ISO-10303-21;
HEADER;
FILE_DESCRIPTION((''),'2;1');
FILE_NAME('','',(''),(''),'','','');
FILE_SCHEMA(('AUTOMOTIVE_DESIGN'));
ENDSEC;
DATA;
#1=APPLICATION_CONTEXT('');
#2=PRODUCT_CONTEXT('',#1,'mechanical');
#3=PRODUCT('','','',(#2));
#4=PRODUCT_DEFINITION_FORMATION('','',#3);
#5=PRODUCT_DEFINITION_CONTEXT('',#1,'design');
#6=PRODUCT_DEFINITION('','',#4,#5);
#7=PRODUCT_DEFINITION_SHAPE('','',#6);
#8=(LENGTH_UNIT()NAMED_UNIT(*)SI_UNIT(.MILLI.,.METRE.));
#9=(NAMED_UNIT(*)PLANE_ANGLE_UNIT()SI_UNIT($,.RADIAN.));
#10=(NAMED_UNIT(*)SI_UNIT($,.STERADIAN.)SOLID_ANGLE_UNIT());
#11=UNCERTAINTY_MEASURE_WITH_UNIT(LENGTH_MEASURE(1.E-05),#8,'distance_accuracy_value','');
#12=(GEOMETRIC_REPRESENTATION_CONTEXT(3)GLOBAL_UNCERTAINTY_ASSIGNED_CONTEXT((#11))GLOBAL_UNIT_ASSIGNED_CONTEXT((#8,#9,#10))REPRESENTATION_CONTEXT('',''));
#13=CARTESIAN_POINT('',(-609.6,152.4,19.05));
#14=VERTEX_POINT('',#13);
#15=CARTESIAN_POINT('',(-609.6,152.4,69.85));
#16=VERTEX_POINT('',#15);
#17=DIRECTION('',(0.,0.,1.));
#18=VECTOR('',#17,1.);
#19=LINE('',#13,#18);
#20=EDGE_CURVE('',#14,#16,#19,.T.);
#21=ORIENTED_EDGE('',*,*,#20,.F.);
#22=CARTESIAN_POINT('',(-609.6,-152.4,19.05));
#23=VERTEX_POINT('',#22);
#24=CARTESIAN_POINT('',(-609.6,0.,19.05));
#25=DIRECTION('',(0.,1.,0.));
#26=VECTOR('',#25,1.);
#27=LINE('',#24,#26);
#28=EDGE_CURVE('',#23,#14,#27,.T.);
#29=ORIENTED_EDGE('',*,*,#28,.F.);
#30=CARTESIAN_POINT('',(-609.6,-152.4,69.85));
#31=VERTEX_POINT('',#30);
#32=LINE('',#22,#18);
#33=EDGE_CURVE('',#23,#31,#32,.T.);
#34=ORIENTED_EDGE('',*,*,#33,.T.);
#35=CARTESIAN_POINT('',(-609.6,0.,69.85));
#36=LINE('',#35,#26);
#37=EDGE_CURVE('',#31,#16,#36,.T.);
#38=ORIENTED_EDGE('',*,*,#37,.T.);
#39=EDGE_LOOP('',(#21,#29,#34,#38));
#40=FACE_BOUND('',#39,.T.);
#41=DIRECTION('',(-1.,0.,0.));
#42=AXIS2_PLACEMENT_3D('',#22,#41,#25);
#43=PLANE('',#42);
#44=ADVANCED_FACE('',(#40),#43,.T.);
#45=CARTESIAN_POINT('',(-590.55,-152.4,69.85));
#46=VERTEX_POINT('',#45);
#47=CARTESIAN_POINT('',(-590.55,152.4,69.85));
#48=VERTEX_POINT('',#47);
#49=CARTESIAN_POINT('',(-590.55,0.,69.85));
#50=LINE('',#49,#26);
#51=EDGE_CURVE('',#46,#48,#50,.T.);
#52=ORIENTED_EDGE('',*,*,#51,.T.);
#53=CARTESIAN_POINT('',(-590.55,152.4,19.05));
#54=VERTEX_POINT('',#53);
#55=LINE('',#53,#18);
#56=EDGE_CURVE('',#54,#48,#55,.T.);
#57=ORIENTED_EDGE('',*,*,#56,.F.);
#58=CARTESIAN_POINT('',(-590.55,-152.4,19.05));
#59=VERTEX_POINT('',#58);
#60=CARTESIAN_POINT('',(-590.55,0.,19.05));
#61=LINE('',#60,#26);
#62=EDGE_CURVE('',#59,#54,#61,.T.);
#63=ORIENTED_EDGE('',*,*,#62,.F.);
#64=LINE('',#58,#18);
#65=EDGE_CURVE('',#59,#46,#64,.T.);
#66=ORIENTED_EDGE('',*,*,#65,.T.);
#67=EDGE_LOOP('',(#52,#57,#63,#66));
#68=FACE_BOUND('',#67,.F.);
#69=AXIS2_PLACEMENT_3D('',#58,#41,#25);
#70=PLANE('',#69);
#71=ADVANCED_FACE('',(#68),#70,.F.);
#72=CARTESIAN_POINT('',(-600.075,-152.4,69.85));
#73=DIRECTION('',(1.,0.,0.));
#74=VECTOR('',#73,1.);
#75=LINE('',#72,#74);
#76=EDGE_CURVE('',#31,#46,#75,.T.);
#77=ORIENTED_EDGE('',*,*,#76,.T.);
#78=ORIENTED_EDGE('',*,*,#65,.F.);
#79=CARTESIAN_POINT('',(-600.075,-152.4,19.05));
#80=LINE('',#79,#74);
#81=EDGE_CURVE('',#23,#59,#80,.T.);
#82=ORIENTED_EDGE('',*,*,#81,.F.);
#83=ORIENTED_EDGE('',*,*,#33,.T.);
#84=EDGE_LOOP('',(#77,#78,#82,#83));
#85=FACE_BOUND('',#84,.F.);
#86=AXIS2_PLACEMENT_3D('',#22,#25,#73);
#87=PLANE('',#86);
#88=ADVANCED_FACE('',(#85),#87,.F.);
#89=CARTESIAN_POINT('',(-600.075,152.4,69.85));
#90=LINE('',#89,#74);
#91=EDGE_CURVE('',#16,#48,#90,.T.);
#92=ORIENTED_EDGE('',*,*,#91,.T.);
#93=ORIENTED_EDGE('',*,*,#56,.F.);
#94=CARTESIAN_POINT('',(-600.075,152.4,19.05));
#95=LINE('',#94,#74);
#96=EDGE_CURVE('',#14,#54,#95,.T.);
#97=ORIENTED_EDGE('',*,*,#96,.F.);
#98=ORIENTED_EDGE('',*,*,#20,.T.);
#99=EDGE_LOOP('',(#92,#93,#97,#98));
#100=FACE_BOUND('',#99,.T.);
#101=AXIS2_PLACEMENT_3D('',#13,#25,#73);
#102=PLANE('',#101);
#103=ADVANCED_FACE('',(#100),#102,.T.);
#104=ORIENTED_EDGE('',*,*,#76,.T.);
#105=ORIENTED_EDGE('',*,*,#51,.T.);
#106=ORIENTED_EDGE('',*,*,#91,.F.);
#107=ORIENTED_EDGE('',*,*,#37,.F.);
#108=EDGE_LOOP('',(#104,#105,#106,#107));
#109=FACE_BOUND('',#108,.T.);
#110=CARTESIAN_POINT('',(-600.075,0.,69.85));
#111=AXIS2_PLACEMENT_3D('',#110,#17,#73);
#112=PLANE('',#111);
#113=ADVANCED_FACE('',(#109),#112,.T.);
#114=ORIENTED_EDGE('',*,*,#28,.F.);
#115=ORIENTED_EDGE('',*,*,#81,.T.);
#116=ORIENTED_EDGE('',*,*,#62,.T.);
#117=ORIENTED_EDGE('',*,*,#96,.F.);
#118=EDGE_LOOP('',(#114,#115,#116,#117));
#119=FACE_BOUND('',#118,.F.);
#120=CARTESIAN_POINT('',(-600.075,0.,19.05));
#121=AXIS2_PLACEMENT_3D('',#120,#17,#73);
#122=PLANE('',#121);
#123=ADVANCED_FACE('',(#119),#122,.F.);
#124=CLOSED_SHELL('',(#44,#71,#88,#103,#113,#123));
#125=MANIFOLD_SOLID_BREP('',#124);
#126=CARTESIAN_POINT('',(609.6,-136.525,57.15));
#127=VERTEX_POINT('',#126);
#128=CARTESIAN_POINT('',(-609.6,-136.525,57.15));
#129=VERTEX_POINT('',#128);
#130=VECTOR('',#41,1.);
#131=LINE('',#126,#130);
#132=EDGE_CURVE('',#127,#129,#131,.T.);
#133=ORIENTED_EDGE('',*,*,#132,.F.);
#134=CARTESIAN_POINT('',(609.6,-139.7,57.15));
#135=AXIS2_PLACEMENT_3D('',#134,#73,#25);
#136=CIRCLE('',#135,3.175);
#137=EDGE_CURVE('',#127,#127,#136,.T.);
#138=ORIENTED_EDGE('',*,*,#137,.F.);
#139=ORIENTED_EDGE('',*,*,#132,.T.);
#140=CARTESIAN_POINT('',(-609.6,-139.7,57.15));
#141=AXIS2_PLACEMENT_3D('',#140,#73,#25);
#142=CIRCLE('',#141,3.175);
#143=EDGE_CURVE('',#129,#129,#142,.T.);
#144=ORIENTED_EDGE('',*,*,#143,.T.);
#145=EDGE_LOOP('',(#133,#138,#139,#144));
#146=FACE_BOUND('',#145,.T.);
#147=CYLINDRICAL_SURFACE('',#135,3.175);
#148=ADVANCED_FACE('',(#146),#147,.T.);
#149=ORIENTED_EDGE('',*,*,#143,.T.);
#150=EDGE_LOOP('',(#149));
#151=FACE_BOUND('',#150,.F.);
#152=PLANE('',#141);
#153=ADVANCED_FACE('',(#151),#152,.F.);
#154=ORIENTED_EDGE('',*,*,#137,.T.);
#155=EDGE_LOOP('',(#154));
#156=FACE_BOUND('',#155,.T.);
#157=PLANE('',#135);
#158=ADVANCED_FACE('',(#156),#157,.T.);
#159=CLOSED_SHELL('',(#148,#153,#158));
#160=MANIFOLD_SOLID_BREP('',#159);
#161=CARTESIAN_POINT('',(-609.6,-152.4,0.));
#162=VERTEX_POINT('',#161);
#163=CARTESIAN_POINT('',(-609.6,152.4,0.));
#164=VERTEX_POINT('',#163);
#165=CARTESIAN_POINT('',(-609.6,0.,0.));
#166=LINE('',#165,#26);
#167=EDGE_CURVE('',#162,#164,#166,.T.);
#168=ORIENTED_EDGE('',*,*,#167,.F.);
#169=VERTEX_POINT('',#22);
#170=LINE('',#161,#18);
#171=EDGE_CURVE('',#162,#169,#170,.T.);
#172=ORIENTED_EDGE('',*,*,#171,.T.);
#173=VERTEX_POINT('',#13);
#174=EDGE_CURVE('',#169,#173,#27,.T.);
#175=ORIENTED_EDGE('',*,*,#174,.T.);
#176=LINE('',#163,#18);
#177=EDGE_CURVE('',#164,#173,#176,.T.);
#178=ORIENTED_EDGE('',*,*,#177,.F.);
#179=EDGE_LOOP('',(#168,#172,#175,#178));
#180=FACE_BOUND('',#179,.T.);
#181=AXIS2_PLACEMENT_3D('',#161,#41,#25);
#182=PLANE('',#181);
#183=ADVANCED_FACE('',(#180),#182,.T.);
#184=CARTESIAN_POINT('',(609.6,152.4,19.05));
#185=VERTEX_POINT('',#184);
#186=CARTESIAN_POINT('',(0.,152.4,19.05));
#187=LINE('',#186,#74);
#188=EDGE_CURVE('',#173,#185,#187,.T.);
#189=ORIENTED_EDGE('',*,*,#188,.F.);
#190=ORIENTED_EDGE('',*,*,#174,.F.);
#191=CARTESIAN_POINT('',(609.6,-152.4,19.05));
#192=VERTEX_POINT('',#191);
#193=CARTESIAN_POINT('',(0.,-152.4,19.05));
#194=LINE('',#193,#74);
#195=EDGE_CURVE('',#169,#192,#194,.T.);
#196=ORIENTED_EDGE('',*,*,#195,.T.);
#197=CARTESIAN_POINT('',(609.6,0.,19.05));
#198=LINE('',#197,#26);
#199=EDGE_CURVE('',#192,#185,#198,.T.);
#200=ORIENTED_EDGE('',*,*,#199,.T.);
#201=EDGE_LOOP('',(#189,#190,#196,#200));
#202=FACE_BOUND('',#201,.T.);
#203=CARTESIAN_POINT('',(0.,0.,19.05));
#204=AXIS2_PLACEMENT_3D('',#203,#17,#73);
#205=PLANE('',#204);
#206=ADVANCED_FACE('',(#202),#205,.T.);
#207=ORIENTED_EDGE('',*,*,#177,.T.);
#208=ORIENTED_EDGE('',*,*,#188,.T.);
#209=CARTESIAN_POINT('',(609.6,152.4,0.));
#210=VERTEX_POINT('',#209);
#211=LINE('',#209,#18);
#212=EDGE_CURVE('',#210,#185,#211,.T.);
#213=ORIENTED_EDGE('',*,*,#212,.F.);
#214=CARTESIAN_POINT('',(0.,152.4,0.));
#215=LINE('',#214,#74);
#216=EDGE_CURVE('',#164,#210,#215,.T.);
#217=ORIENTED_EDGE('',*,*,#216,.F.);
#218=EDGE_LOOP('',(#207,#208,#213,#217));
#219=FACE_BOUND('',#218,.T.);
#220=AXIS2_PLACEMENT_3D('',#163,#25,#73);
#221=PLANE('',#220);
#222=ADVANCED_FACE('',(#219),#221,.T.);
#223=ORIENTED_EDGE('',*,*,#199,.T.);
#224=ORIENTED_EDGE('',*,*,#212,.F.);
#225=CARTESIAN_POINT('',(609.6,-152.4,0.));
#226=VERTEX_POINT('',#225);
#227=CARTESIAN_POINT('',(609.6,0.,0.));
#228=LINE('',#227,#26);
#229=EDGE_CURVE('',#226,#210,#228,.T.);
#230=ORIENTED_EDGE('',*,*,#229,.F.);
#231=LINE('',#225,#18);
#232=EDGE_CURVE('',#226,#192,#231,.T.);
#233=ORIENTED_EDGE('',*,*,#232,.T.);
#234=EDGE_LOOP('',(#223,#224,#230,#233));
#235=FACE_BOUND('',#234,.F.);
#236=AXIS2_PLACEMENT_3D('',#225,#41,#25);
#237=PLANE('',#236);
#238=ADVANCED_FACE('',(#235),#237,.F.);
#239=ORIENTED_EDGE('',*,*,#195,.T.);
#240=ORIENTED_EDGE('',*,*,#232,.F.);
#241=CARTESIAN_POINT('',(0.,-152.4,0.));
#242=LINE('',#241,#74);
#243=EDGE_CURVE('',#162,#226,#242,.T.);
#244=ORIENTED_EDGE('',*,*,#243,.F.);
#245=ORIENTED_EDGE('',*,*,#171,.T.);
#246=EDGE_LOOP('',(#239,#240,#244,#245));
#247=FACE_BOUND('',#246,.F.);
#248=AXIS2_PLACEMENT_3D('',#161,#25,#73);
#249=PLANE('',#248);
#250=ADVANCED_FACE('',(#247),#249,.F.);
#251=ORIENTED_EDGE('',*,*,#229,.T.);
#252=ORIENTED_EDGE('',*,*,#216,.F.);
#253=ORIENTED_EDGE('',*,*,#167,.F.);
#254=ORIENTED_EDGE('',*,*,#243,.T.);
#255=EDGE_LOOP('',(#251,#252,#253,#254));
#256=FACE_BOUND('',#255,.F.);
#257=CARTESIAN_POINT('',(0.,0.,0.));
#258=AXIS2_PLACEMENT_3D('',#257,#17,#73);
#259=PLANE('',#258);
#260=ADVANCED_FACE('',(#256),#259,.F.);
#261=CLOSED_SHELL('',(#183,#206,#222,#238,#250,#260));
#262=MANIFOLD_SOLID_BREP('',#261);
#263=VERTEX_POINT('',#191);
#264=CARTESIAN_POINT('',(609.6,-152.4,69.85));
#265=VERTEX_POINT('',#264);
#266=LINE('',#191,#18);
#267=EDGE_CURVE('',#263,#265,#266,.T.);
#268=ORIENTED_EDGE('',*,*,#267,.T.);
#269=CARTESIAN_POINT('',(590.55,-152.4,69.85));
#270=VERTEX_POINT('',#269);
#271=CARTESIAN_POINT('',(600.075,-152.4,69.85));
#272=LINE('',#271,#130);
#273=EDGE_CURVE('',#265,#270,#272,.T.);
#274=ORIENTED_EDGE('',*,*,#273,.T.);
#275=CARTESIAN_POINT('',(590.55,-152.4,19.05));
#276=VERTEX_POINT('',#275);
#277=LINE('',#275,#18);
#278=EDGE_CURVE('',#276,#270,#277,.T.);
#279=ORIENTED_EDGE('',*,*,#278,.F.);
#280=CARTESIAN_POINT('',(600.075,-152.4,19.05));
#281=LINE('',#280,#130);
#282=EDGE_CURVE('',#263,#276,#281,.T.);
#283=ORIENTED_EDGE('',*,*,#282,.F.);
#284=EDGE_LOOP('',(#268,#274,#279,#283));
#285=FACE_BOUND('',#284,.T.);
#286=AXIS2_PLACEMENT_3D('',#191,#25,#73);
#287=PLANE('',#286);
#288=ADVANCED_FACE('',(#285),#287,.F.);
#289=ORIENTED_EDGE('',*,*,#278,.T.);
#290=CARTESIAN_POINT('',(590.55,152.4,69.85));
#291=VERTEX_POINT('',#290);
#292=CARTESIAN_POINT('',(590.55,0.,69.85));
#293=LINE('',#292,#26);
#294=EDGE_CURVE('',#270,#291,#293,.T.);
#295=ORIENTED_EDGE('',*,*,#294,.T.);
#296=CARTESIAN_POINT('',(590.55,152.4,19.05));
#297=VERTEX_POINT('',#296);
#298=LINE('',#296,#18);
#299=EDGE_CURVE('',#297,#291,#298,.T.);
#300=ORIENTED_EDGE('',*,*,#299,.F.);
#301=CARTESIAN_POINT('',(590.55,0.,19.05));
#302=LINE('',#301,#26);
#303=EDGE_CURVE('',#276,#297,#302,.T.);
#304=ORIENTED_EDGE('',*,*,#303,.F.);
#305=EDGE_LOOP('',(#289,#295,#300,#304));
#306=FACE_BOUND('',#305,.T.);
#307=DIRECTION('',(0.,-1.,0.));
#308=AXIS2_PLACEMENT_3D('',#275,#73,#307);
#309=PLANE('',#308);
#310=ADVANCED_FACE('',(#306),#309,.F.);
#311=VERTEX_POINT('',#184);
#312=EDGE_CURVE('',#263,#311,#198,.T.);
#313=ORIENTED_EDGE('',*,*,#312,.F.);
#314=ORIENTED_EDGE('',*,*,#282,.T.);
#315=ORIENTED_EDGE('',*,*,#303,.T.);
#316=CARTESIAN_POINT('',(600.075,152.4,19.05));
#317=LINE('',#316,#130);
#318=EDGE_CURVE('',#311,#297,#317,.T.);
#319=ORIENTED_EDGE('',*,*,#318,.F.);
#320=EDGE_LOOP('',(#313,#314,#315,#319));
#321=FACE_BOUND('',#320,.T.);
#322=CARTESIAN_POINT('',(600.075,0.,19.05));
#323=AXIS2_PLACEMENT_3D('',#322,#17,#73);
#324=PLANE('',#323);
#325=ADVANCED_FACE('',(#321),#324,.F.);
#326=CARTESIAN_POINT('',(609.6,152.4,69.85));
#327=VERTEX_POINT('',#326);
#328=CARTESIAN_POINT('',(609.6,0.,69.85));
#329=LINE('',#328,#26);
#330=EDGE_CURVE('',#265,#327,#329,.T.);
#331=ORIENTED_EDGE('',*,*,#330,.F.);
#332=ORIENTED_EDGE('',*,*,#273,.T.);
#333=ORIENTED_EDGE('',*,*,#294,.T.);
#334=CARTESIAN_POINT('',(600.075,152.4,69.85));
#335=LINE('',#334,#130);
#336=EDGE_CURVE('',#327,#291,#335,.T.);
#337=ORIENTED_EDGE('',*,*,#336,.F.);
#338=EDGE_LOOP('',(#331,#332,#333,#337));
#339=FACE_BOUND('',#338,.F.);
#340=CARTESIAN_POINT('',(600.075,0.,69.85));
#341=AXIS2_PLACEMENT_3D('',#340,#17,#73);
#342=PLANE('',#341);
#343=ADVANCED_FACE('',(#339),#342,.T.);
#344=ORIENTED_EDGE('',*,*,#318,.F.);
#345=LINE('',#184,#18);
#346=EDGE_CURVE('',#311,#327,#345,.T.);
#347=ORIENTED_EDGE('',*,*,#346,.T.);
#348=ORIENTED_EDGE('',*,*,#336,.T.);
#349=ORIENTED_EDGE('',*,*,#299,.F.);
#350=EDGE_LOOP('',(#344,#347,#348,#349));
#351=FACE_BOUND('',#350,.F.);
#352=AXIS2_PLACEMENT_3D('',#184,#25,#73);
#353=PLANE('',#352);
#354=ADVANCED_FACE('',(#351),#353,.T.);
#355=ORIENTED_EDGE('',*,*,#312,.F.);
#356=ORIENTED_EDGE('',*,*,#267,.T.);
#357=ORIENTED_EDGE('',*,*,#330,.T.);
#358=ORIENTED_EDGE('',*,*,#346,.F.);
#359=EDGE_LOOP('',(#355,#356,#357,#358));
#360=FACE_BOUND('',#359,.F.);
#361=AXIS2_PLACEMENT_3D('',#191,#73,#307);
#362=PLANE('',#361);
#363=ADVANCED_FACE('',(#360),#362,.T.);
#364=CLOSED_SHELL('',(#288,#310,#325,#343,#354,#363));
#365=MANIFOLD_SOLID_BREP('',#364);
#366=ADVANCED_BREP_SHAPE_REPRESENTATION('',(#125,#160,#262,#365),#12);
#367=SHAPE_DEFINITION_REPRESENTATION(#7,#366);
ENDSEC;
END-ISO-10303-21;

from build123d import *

# Parameters (mm, degrees)
F0_W     = 1219.2
F0_H     = 304.8
F1_DEPTH = 19.05
F2_W     = 19.05
F2_H     = 304.8
F3_DEPTH = 50.8
F5_R     = 3.175
F6_DEPTH = 1219.2


with BuildPart() as f1:
    # F0 (on Top) → F1 (new body)
    with BuildSketch(Plane.XY):
        Rectangle(F0_W, F0_H)
    extrude(amount=F1_DEPTH)


with BuildPart() as f3:
    # F2 (on face) → F3 (new body)
    with BuildSketch(Plane.XY.offset(19.05)):
        with Locations((-600.075, 0)):
            Rectangle(F2_W, F2_H)
    extrude(amount=F3_DEPTH)


with BuildPart() as f4_1:
    # F4: instance of F3
    add(f3.part.mirror(Plane.YZ))


with BuildPart() as f6:
    # F5 (on face) → F6 (new body, through all)
    with BuildSketch(Plane.YZ.offset(609.6)):
        with Locations((-139.7, 57.15)):
            Circle(F5_R)
    extrude(amount=-F6_DEPTH)


solid = Compound([f1.part, f3.part, f4_1.part, f6.part])
